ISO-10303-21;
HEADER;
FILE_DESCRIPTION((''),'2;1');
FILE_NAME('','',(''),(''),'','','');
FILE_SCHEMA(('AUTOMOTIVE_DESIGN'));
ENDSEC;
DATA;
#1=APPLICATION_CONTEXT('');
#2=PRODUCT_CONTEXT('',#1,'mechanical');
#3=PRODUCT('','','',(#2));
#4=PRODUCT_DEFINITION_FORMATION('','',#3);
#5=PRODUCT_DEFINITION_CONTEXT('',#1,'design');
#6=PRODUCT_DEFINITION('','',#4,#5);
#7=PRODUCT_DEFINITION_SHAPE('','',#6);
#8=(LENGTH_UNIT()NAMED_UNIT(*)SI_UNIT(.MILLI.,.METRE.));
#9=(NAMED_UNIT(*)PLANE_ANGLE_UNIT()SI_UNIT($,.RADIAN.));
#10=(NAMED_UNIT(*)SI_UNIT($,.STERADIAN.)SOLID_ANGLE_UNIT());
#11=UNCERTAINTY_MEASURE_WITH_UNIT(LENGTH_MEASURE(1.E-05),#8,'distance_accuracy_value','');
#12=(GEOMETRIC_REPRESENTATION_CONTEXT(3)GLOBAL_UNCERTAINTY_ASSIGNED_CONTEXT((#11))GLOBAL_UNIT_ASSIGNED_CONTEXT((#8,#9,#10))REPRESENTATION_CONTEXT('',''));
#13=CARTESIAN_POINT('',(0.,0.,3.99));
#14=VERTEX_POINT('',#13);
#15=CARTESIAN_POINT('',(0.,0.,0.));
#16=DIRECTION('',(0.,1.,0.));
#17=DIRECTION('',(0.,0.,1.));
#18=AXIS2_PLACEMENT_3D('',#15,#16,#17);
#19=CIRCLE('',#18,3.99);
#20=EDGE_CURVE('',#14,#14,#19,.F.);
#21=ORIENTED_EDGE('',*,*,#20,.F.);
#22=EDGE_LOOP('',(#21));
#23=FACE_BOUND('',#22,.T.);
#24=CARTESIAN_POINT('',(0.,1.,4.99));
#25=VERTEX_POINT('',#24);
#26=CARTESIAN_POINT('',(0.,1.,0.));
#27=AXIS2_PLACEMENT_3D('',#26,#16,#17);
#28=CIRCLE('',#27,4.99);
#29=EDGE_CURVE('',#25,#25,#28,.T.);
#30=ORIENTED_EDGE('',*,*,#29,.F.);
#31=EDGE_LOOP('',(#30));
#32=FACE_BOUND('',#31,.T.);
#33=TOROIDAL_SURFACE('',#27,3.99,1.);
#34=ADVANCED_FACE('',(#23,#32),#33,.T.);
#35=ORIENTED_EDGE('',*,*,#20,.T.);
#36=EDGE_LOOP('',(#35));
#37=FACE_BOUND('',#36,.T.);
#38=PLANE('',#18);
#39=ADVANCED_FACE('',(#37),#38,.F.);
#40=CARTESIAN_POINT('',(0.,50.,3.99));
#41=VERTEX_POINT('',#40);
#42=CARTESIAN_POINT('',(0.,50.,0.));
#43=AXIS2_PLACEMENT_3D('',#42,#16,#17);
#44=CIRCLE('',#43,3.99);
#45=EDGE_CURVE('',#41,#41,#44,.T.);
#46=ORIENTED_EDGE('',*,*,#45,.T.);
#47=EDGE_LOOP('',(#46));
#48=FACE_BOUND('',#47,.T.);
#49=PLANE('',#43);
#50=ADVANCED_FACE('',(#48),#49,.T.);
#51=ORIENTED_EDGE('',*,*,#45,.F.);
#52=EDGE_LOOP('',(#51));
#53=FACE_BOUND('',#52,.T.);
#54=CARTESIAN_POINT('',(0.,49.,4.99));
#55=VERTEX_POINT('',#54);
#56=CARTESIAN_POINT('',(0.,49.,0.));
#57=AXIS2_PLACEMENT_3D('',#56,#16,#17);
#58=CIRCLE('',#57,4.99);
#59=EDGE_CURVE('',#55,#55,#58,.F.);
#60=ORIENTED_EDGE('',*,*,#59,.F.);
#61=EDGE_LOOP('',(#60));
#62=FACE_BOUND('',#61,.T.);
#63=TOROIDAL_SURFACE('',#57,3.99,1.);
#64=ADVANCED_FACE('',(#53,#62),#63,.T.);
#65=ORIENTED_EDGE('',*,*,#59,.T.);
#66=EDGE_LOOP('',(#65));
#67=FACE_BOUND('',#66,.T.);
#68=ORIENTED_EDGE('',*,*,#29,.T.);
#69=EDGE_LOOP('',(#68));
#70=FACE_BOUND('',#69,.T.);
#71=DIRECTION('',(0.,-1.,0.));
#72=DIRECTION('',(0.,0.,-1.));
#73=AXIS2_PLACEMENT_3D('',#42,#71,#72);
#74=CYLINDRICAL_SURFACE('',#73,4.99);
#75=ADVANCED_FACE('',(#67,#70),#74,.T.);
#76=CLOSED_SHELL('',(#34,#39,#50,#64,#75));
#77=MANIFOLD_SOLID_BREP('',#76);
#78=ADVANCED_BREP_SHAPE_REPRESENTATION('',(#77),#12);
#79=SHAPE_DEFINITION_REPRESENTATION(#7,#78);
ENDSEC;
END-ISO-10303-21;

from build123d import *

# Parameters (mm, degrees)
SKETCH1_R           = 4.99
BOSS_EXTRUDE1_DEPTH = 50
FILLET1_R           = 1


with BuildPart() as part:
    # Sketch1 → Boss-Extrude1 (new body)
    with BuildSketch(Plane(origin=(0, 0, 0), x_dir=(1, 0, 0), z_dir=(0, 1, 0))):
        Circle(SKETCH1_R)
    extrude(amount=BOSS_EXTRUDE1_DEPTH)

    # Fillet1
    fillet1_edges = [part.edges().sort_by_distance(p)[0] for p in [
        (-4.99, 0, 0),
        (-4.99, 50, 0),
    ]]
    fillet(fillet1_edges, radius=FILLET1_R)


solid = part.part
